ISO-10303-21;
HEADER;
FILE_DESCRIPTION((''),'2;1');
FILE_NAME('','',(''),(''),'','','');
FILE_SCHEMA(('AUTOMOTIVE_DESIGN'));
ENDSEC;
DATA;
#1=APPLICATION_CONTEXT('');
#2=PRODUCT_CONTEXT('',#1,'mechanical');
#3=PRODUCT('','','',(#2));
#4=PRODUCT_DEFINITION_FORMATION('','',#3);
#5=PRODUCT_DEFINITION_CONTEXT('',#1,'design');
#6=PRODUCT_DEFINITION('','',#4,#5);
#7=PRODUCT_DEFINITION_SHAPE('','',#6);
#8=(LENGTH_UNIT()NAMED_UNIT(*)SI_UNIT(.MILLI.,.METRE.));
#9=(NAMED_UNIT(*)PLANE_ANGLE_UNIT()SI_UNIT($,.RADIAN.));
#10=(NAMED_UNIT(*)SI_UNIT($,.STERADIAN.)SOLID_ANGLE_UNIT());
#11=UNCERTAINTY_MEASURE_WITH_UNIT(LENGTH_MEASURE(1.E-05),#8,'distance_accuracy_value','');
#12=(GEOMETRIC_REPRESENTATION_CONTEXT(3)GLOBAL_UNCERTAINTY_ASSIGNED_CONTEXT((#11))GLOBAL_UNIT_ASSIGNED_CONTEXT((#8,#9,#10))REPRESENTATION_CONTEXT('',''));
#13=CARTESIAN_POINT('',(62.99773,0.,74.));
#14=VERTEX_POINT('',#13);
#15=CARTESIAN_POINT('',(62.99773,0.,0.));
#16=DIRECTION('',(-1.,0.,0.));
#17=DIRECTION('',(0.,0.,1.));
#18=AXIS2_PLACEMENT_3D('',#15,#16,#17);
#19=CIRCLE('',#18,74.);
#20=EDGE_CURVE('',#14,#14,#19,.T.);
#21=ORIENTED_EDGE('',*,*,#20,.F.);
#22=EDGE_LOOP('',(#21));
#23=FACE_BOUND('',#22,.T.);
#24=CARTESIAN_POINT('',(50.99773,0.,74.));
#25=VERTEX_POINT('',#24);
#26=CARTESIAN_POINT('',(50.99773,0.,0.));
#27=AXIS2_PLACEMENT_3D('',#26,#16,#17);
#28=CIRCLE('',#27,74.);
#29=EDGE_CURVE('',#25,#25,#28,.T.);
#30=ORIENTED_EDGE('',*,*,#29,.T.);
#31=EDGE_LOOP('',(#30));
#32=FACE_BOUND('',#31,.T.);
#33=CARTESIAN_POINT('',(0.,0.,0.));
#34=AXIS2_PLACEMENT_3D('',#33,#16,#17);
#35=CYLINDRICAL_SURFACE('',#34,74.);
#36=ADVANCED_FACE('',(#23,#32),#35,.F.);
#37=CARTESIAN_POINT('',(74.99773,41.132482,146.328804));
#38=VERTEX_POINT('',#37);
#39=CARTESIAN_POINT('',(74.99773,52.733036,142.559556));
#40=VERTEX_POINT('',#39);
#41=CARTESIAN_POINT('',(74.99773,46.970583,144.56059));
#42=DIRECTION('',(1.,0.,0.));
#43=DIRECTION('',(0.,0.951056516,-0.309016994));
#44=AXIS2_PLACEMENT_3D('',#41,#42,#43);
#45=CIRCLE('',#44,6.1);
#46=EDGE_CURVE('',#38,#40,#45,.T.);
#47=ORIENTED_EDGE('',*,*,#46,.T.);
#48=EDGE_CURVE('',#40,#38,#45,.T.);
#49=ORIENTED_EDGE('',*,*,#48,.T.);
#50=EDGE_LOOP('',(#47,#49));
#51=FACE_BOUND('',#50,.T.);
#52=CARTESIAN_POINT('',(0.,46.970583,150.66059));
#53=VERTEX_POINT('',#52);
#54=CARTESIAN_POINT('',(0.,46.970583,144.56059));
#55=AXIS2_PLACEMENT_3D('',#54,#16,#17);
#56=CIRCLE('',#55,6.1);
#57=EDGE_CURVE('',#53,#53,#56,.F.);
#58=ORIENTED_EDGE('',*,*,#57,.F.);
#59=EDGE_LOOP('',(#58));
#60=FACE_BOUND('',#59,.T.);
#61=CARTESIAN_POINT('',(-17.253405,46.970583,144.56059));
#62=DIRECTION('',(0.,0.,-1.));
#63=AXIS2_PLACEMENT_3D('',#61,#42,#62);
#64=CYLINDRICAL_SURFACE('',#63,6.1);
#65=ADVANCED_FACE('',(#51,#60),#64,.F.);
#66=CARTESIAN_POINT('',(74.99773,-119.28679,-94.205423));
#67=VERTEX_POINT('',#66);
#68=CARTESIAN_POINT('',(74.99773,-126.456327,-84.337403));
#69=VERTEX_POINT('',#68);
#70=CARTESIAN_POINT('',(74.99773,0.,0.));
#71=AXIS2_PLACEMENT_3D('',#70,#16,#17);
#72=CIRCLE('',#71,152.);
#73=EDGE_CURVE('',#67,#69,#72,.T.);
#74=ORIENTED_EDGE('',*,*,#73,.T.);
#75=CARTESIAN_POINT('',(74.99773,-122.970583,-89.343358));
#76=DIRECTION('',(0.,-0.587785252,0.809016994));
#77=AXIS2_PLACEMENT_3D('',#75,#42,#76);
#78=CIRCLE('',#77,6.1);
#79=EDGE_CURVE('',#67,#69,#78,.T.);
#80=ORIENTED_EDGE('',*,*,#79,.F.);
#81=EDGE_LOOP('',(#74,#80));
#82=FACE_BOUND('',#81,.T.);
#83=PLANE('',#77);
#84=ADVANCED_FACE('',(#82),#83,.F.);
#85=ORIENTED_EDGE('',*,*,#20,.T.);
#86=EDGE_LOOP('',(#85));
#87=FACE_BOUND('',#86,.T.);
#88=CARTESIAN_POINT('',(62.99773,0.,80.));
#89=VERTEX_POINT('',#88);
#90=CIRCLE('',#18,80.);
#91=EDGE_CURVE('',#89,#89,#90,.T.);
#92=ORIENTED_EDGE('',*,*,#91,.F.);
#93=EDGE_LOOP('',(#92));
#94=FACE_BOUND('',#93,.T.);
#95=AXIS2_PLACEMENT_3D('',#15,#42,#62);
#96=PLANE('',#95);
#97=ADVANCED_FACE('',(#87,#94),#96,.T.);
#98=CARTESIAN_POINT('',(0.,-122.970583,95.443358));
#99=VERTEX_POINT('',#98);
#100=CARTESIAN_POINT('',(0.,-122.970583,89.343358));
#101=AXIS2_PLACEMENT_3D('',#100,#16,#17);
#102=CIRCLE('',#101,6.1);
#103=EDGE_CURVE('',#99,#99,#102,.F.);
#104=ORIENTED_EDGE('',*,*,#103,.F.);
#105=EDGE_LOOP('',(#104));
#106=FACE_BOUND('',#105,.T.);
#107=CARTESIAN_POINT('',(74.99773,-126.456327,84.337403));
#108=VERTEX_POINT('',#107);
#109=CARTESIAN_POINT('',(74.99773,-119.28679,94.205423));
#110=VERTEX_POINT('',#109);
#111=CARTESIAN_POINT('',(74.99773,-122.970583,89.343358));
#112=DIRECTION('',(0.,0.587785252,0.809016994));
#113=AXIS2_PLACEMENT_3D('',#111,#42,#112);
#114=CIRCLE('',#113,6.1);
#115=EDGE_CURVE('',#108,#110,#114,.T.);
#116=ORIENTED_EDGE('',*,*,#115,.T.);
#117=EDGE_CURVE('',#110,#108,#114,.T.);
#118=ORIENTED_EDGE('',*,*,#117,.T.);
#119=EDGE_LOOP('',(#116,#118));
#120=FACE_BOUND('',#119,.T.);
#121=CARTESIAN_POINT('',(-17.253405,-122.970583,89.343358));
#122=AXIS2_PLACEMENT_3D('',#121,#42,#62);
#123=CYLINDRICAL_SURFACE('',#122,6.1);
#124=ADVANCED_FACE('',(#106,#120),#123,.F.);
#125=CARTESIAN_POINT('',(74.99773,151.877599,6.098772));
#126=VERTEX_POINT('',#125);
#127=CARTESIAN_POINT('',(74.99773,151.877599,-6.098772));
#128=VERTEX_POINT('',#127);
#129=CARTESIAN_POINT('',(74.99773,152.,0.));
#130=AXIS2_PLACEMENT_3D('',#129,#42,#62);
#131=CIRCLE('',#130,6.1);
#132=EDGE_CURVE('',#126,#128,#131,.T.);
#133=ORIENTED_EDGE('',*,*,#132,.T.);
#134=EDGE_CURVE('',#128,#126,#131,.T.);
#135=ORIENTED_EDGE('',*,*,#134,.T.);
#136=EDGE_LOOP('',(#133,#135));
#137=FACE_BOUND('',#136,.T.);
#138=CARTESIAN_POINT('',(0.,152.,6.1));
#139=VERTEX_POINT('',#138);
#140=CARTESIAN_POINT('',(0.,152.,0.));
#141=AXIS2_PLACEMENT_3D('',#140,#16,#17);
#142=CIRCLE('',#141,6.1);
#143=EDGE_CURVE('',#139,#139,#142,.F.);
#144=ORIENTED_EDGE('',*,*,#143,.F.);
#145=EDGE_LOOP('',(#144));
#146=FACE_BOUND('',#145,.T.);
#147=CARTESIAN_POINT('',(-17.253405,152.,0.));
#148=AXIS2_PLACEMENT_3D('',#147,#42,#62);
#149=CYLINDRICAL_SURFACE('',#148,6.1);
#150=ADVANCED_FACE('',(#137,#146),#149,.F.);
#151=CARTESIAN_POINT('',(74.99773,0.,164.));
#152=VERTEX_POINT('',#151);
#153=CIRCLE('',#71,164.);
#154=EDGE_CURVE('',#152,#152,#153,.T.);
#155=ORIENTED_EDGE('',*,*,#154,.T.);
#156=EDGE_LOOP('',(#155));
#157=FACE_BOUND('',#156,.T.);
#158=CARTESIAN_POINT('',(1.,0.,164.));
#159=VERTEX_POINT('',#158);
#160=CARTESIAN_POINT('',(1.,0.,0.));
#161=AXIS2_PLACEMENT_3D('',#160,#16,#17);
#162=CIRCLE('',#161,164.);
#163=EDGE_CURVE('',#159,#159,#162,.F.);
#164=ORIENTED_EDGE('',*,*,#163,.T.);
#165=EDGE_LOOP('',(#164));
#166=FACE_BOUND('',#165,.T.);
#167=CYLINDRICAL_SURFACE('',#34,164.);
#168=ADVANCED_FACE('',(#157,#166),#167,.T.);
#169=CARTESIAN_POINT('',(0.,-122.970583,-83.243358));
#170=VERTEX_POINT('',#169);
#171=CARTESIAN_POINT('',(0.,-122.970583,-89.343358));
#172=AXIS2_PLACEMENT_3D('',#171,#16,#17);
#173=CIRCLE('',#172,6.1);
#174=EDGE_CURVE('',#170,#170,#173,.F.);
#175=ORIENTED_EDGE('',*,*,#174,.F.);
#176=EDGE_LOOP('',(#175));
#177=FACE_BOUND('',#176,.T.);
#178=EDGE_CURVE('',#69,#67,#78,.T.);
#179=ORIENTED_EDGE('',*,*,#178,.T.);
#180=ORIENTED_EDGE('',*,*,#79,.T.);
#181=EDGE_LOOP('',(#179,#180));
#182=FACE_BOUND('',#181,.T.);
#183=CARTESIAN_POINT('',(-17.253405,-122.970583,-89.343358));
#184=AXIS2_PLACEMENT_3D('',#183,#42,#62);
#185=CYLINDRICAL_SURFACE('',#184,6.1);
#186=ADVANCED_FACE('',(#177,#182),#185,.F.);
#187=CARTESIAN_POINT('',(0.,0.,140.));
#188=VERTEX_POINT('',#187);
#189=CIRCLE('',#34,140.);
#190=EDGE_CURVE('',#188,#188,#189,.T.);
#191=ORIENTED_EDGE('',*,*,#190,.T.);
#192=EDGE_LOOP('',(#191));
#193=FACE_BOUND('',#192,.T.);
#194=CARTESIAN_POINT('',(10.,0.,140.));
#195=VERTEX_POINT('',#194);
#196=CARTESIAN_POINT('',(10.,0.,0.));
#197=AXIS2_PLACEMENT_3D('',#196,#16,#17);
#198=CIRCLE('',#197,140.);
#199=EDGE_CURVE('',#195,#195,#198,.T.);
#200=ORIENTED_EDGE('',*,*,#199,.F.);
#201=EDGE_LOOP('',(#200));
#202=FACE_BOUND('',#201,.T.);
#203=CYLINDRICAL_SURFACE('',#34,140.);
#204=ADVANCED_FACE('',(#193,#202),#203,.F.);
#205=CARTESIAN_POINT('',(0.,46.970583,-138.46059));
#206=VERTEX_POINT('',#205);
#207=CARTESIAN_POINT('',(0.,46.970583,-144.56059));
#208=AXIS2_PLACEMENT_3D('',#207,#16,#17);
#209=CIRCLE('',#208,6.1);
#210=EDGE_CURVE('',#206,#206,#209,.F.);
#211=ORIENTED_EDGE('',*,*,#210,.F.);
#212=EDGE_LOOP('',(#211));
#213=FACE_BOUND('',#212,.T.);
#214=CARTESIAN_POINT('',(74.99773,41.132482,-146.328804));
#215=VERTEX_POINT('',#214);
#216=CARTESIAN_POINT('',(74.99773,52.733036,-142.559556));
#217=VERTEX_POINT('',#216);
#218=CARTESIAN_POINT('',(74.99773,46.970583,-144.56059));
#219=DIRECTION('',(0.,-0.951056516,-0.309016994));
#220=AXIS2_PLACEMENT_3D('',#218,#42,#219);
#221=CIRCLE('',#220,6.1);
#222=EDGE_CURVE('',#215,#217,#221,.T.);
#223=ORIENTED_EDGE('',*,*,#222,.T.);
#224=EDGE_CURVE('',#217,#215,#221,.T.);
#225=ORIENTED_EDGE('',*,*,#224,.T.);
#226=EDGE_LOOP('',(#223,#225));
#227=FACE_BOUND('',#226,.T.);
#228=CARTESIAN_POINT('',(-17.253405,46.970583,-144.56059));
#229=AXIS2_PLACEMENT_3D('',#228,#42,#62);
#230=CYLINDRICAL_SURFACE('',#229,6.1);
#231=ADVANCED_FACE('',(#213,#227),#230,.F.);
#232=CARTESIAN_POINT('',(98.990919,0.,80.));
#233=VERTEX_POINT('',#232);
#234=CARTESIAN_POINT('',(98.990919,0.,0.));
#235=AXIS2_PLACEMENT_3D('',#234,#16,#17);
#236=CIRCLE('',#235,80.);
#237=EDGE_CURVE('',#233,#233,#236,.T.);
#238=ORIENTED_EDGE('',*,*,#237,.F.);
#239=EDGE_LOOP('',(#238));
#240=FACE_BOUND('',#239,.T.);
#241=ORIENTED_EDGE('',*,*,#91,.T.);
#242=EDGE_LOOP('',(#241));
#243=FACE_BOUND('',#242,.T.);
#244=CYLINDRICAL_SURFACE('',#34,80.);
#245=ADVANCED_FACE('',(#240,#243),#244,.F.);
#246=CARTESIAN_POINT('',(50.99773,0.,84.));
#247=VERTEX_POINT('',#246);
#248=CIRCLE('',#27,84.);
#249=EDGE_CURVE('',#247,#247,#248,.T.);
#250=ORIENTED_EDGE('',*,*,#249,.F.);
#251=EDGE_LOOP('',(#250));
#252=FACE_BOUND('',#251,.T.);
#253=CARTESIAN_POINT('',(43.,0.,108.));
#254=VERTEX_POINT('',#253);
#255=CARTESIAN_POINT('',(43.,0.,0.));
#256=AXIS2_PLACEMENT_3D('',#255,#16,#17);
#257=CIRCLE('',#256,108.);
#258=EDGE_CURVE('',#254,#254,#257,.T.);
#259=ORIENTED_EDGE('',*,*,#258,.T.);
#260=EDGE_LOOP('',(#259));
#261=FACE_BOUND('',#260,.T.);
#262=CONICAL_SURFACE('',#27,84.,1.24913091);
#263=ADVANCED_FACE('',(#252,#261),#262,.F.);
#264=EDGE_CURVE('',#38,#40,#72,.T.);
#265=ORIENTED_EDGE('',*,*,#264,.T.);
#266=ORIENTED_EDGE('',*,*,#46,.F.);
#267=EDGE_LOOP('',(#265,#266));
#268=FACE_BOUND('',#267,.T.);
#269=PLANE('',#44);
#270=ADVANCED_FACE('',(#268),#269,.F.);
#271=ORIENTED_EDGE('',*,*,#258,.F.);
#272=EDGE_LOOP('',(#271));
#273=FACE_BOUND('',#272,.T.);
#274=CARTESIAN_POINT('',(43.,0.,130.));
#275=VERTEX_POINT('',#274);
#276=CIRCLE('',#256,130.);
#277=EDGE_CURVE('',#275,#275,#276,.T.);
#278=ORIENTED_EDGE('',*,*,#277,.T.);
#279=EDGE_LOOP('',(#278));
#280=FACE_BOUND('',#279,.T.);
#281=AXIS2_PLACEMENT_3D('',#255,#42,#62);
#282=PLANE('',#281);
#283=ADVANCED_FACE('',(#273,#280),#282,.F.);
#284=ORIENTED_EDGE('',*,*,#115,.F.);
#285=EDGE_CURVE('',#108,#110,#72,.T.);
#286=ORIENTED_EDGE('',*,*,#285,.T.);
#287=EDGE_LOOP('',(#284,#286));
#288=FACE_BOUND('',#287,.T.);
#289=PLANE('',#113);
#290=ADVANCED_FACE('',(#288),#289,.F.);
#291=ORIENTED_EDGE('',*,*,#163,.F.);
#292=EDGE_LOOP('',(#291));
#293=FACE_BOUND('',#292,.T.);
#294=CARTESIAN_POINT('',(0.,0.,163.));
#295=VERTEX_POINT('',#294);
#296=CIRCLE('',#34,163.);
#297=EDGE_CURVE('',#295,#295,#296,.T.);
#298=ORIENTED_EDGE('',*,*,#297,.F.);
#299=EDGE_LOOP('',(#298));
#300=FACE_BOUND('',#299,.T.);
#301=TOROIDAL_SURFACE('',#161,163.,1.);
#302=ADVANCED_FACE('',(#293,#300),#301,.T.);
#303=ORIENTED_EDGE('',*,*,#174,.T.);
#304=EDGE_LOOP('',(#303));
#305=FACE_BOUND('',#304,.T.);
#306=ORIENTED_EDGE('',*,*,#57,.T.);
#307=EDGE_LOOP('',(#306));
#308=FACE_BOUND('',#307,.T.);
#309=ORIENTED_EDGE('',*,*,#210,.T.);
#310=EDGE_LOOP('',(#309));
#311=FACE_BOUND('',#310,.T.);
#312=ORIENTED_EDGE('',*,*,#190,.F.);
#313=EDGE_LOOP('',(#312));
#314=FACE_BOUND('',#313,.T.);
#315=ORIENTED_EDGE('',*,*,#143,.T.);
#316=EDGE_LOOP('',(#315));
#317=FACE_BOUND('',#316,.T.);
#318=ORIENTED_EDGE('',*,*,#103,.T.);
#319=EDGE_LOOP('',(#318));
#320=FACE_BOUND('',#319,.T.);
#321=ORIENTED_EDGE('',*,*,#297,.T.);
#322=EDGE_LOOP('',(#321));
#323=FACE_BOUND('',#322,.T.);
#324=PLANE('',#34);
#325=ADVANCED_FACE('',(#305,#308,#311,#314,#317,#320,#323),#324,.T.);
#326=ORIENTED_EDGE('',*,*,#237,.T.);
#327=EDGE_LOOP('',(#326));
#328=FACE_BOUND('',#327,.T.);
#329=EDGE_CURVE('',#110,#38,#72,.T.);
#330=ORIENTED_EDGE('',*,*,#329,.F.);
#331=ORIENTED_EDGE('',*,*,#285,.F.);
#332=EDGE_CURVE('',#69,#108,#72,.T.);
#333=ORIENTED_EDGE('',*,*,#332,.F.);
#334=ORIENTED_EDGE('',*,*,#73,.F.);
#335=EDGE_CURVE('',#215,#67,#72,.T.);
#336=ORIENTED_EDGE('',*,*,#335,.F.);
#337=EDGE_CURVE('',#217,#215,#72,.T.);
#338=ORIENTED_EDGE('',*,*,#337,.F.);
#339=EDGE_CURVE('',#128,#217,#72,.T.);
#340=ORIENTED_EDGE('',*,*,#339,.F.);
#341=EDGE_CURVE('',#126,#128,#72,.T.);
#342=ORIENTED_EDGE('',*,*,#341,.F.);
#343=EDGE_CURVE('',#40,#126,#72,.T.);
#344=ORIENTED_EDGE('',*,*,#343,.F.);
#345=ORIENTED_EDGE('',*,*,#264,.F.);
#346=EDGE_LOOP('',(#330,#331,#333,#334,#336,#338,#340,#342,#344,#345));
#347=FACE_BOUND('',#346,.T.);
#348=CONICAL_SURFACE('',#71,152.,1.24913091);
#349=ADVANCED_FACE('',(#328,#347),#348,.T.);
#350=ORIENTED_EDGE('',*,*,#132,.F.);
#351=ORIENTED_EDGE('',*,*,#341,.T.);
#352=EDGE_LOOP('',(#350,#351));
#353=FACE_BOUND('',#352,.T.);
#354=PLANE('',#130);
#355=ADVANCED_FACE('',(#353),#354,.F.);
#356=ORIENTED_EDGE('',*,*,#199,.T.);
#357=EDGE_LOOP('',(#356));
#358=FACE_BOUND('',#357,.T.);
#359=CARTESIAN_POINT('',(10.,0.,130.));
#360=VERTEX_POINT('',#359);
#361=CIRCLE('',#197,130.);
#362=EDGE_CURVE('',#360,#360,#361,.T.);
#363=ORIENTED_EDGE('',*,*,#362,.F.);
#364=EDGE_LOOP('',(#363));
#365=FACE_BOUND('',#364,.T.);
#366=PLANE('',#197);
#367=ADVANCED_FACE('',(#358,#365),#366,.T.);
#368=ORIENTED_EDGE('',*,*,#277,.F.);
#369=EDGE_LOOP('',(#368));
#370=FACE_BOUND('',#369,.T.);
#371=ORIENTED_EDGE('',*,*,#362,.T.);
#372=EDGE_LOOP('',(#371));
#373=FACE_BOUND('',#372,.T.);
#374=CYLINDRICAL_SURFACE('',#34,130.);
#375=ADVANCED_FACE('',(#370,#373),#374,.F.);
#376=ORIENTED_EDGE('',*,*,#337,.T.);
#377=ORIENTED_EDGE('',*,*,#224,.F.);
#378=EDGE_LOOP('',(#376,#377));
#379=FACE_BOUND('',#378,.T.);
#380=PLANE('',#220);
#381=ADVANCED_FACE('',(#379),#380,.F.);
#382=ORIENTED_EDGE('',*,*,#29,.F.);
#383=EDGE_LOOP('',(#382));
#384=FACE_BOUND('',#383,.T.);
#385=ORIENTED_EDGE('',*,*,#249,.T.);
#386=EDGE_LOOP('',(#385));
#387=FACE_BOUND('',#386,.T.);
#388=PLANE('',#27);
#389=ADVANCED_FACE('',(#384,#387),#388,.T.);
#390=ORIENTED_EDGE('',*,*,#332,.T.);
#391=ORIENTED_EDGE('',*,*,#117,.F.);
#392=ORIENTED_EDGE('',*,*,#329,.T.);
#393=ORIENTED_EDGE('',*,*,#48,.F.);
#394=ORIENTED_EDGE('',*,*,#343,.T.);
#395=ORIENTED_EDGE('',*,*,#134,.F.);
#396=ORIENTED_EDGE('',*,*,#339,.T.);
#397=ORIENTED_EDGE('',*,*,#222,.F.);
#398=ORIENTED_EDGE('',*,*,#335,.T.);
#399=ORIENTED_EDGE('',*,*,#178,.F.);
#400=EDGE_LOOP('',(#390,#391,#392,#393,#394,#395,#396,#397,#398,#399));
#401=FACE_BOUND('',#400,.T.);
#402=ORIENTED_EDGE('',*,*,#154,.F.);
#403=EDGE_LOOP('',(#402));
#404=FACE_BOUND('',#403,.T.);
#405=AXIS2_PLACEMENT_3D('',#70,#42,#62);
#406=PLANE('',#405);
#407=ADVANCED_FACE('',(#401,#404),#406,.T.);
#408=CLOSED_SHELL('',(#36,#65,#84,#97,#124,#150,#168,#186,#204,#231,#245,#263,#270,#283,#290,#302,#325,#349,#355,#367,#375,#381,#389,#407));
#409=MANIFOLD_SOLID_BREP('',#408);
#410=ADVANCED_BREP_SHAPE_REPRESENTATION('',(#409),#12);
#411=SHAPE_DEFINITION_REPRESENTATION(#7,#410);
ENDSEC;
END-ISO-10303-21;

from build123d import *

# Parameters (mm, degrees)
SKETCH2_R          = 6.1
CUT_EXTRUDE1_DEPTH = 74.99773
CIRPATTERN1_COUNT  = 5
FILLET8_R          = 1


with BuildPart() as part:
    # Sketch1 → Revolve1 (revolve)
    with BuildSketch(Plane.XY):
        Polygon((74.997729735, 164), (74.997729735, 152), (98.99091894, 80), (62.997729735, 80), (62.997729735, 74), (50.997729735, 74), (50.997729735, 84), (43, 108), (43, 130), (10, 130), (10, 140), (0, 140), (0, 164), align=None)
    revolve(axis=Axis((0, 0, 0), (1, 0, 0)))

    # Sketch2 → Cut-Extrude1 (cut)
    with BuildSketch(Plane(origin=(74.997729735, 0, 0), x_dir=(0, 0, -1), z_dir=(1, 0, 0))):
        with Locations((0, 152)):
            Circle(SKETCH2_R)
    cut_extrude1 = extrude(amount=-CUT_EXTRUDE1_DEPTH, mode=Mode.SUBTRACT)

    # CirPattern1: Cut-Extrude1 ×5 about axis
    cirpattern1_axis = Axis((0, 0, 0), (1, 0, 0))
    for i in range(1, CIRPATTERN1_COUNT):
        add(cut_extrude1.rotate(cirpattern1_axis, i * 360 / CIRPATTERN1_COUNT), mode=Mode.SUBTRACT)

    # Fillet8
    fillet8_edges = [part.edges().sort_by_distance(p)[0] for p in [
        (0, -164, 0),
    ]]
    fillet(fillet8_edges, radius=FILLET8_R)


solid = part.part
